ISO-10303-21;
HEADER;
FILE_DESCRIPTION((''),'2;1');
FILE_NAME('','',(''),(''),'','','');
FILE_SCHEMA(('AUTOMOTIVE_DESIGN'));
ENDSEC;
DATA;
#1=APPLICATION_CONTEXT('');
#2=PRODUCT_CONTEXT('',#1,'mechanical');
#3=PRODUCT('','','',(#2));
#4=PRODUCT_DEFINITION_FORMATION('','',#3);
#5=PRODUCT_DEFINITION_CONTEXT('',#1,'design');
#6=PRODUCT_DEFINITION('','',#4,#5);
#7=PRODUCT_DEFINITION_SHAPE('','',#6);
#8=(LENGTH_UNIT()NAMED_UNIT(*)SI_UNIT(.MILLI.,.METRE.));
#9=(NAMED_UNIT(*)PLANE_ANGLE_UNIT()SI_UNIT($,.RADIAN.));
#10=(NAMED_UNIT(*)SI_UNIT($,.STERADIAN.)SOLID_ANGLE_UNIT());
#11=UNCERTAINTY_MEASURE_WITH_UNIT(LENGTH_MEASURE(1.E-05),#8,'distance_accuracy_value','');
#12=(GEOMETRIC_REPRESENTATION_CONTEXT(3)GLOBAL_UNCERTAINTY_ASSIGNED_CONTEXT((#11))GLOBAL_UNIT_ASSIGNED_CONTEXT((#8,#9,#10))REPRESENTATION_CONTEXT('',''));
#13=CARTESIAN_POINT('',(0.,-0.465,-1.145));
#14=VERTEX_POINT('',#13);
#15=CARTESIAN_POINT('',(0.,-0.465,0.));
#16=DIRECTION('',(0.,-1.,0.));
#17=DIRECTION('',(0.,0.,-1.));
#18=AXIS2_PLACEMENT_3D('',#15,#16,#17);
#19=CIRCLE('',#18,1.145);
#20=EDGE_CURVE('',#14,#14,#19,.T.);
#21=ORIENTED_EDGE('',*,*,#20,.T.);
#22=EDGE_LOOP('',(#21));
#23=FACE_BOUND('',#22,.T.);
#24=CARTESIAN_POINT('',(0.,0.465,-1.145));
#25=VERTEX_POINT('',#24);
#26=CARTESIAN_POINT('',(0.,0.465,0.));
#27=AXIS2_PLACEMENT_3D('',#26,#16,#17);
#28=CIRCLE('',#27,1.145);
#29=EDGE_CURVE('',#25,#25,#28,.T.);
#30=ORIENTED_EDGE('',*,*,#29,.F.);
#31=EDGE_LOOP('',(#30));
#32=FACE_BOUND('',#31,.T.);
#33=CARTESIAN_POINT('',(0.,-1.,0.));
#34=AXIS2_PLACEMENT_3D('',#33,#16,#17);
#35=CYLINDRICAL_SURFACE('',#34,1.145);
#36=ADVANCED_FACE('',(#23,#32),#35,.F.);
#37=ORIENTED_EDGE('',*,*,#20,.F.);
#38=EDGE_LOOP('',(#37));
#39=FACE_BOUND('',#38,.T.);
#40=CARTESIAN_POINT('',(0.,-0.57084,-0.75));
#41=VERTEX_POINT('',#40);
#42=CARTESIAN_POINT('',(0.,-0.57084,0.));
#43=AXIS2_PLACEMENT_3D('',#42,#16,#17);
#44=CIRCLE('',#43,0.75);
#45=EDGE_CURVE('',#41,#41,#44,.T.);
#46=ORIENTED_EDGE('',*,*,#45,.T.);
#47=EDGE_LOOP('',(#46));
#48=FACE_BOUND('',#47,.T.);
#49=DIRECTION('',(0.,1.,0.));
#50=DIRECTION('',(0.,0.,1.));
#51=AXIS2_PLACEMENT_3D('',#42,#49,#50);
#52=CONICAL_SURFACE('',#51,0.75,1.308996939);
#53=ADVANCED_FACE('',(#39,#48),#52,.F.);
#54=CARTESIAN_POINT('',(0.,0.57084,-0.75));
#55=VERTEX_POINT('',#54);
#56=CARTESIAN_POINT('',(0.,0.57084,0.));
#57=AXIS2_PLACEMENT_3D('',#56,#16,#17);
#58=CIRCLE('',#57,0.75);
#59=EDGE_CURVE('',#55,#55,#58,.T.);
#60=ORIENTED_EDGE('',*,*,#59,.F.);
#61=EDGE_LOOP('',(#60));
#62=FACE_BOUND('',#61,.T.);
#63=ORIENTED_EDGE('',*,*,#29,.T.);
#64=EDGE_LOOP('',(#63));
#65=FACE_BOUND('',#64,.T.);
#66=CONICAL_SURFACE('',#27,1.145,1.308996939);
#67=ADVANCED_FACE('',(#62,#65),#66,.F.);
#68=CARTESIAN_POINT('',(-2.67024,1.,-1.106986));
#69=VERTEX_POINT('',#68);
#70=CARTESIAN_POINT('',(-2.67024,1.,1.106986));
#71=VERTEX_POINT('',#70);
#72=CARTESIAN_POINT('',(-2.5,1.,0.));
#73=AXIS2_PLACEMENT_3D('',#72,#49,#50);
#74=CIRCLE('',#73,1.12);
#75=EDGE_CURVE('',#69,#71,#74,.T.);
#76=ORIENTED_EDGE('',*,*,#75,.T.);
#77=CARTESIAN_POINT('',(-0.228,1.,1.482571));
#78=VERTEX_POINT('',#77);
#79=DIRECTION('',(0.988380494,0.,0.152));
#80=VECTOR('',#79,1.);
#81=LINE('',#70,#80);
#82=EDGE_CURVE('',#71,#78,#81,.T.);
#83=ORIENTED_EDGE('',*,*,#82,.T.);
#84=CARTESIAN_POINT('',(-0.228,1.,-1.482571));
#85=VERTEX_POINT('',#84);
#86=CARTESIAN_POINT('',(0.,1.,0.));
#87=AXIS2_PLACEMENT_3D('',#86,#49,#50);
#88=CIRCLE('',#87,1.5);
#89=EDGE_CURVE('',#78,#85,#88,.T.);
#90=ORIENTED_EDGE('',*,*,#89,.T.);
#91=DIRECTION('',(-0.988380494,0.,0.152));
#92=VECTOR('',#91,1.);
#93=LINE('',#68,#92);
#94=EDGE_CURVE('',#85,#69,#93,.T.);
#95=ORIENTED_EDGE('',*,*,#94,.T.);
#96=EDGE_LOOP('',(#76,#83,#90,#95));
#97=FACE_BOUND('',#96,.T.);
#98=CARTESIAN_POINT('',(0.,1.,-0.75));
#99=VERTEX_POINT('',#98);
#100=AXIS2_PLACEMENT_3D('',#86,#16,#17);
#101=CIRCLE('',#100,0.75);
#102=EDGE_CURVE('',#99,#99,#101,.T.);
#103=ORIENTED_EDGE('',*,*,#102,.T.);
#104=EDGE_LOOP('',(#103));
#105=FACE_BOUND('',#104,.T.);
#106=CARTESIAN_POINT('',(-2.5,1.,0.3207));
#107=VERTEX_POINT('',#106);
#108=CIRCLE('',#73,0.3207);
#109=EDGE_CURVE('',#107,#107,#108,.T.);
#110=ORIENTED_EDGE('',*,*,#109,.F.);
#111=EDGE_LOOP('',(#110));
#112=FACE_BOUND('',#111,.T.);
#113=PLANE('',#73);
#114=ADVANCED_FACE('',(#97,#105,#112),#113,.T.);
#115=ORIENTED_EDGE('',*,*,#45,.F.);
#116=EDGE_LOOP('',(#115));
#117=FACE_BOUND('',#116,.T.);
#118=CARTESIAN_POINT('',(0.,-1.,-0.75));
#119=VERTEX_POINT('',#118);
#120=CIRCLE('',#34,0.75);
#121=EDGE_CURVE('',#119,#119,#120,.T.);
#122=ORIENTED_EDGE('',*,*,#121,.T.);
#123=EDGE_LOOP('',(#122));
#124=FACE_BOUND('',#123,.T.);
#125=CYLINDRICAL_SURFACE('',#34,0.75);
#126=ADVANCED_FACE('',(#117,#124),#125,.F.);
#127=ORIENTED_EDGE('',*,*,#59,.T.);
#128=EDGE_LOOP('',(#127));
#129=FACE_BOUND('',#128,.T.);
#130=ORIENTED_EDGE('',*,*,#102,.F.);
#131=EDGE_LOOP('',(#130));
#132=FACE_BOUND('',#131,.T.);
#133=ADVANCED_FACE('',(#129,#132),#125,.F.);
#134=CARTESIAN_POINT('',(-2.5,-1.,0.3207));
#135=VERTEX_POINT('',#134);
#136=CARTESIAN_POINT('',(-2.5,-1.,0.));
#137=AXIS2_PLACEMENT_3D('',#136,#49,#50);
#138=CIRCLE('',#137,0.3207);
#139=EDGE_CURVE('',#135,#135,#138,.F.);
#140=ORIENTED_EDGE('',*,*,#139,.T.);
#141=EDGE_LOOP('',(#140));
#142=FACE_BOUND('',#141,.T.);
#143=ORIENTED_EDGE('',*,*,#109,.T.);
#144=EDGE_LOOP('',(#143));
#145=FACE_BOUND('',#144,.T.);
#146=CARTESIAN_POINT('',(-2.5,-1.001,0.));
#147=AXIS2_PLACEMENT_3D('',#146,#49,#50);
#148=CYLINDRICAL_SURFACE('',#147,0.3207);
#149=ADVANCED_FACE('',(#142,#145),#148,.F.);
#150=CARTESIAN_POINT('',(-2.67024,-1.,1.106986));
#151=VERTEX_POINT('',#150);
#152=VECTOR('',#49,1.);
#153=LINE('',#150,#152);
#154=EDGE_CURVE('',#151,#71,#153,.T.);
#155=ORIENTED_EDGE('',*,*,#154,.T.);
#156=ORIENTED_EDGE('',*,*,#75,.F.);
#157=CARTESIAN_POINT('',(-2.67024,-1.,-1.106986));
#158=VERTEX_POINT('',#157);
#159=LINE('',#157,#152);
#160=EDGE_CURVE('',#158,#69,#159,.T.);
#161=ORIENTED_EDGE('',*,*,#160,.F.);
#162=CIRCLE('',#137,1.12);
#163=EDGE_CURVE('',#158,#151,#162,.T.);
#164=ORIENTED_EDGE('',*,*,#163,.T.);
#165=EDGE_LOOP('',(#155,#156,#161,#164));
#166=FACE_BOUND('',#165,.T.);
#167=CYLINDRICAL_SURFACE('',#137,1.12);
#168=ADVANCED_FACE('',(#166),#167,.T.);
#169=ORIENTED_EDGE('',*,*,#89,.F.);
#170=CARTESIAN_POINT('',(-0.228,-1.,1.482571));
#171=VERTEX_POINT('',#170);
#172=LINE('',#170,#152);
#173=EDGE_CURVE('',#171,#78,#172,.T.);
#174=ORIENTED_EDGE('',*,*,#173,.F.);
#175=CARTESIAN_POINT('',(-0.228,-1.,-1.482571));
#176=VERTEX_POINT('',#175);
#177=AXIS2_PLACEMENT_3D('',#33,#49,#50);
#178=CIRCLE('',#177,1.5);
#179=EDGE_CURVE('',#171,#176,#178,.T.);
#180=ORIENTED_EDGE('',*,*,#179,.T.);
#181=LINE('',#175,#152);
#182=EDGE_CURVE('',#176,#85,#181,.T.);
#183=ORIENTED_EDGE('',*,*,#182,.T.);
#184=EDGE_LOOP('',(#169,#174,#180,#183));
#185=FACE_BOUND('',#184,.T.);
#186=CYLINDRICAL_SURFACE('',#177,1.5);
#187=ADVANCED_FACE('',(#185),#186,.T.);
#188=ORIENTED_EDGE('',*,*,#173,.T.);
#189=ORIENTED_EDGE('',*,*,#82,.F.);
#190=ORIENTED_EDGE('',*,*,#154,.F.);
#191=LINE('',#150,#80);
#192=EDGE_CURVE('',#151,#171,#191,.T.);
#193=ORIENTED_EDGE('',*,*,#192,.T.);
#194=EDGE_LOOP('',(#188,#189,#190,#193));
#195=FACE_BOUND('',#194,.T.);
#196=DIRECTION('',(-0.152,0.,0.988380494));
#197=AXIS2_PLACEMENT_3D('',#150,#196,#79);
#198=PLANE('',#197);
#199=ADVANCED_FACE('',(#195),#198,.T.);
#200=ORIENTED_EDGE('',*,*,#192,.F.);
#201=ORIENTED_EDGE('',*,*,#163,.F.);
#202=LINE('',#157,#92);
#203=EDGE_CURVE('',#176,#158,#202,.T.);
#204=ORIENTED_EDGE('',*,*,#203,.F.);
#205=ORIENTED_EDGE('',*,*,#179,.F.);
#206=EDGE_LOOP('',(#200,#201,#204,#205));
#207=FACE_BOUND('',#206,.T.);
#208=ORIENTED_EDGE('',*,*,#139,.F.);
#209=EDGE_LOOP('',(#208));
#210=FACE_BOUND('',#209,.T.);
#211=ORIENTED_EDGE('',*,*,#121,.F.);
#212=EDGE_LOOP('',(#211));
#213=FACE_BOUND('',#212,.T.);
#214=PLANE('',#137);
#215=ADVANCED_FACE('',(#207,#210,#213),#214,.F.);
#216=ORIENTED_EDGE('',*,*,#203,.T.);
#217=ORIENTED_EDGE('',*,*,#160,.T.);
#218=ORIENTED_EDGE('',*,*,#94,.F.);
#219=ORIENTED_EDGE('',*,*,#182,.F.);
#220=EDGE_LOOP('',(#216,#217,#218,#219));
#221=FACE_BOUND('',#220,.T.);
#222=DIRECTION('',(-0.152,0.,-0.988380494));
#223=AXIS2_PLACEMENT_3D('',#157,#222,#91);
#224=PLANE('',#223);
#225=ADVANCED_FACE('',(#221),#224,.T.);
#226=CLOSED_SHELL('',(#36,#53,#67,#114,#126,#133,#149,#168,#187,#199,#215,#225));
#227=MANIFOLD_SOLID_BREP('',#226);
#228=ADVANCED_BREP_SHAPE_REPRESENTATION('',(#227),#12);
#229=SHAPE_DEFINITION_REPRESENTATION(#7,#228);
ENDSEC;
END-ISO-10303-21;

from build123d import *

# Parameters (mm, degrees)
BOSS_EXTRUDE1_DEPTH      = 1
BOSS_EXTRUDE1_DEPTH_BACK = 1
CUT_EXTRUDE1_REACH       = 6.399
SKETCH5_R                = 0.3207


with BuildPart() as part:
    # Sketch1 → Boss-Extrude1 (new, two sides: drawn at the far end of the back side and taken through both)
    with BuildSketch(Plane(origin=(0, 0, 0), x_dir=(1, 0, 0), z_dir=(0, 1, 0)).offset(-BOSS_EXTRUDE1_DEPTH_BACK)):
        with BuildLine():
            Line((-2.67024, 1.106986153), (-0.228, 1.48257074))
            ThreePointArc((-0.228, 1.48257074), (1.5, 0), (-0.228, -1.48257074))
            Line((-0.228, -1.48257074), (-2.67024, -1.106986153))
            ThreePointArc((-2.67024, -1.106986153), (-3.62, 0), (-2.67024, 1.106986153))
        make_face()
    extrude(amount=BOSS_EXTRUDE1_DEPTH + BOSS_EXTRUDE1_DEPTH_BACK)

    # Sketch4 → Cut-Revolve1 (revolve, cut)
    with BuildSketch(Plane.XY):
        Polygon((1.145, 0), (1.145, 0.465), (0.75, 0.570839931), (0.75, 1), (0, 1), (0, -1), (0.75, -1), (0.75, -0.570839931), (1.145, -0.465), align=None)
    revolve(axis=Axis((0, -1, 0), (0, 1, 0)), mode=Mode.SUBTRACT)

    # Sketch5 → Cut-Extrude1 (cut, up to next)
    with BuildSketch(Plane(origin=(0, 1, 0), x_dir=(1, 0, 0), z_dir=(0, 1, 0)), mode=Mode.PRIVATE) as cut_extrude1_sk1:
        with Locations((-2.5, 0)):
            Circle(SKETCH5_R)
    cut_extrude1_tool1 = extrude(cut_extrude1_sk1.sketch, amount=-CUT_EXTRUDE1_REACH, mode=Mode.PRIVATE) & part.part
    add(cut_extrude1_tool1.solids().sort_by_distance((-2.5, 1, 0))[0], mode=Mode.SUBTRACT)


solid = part.part
